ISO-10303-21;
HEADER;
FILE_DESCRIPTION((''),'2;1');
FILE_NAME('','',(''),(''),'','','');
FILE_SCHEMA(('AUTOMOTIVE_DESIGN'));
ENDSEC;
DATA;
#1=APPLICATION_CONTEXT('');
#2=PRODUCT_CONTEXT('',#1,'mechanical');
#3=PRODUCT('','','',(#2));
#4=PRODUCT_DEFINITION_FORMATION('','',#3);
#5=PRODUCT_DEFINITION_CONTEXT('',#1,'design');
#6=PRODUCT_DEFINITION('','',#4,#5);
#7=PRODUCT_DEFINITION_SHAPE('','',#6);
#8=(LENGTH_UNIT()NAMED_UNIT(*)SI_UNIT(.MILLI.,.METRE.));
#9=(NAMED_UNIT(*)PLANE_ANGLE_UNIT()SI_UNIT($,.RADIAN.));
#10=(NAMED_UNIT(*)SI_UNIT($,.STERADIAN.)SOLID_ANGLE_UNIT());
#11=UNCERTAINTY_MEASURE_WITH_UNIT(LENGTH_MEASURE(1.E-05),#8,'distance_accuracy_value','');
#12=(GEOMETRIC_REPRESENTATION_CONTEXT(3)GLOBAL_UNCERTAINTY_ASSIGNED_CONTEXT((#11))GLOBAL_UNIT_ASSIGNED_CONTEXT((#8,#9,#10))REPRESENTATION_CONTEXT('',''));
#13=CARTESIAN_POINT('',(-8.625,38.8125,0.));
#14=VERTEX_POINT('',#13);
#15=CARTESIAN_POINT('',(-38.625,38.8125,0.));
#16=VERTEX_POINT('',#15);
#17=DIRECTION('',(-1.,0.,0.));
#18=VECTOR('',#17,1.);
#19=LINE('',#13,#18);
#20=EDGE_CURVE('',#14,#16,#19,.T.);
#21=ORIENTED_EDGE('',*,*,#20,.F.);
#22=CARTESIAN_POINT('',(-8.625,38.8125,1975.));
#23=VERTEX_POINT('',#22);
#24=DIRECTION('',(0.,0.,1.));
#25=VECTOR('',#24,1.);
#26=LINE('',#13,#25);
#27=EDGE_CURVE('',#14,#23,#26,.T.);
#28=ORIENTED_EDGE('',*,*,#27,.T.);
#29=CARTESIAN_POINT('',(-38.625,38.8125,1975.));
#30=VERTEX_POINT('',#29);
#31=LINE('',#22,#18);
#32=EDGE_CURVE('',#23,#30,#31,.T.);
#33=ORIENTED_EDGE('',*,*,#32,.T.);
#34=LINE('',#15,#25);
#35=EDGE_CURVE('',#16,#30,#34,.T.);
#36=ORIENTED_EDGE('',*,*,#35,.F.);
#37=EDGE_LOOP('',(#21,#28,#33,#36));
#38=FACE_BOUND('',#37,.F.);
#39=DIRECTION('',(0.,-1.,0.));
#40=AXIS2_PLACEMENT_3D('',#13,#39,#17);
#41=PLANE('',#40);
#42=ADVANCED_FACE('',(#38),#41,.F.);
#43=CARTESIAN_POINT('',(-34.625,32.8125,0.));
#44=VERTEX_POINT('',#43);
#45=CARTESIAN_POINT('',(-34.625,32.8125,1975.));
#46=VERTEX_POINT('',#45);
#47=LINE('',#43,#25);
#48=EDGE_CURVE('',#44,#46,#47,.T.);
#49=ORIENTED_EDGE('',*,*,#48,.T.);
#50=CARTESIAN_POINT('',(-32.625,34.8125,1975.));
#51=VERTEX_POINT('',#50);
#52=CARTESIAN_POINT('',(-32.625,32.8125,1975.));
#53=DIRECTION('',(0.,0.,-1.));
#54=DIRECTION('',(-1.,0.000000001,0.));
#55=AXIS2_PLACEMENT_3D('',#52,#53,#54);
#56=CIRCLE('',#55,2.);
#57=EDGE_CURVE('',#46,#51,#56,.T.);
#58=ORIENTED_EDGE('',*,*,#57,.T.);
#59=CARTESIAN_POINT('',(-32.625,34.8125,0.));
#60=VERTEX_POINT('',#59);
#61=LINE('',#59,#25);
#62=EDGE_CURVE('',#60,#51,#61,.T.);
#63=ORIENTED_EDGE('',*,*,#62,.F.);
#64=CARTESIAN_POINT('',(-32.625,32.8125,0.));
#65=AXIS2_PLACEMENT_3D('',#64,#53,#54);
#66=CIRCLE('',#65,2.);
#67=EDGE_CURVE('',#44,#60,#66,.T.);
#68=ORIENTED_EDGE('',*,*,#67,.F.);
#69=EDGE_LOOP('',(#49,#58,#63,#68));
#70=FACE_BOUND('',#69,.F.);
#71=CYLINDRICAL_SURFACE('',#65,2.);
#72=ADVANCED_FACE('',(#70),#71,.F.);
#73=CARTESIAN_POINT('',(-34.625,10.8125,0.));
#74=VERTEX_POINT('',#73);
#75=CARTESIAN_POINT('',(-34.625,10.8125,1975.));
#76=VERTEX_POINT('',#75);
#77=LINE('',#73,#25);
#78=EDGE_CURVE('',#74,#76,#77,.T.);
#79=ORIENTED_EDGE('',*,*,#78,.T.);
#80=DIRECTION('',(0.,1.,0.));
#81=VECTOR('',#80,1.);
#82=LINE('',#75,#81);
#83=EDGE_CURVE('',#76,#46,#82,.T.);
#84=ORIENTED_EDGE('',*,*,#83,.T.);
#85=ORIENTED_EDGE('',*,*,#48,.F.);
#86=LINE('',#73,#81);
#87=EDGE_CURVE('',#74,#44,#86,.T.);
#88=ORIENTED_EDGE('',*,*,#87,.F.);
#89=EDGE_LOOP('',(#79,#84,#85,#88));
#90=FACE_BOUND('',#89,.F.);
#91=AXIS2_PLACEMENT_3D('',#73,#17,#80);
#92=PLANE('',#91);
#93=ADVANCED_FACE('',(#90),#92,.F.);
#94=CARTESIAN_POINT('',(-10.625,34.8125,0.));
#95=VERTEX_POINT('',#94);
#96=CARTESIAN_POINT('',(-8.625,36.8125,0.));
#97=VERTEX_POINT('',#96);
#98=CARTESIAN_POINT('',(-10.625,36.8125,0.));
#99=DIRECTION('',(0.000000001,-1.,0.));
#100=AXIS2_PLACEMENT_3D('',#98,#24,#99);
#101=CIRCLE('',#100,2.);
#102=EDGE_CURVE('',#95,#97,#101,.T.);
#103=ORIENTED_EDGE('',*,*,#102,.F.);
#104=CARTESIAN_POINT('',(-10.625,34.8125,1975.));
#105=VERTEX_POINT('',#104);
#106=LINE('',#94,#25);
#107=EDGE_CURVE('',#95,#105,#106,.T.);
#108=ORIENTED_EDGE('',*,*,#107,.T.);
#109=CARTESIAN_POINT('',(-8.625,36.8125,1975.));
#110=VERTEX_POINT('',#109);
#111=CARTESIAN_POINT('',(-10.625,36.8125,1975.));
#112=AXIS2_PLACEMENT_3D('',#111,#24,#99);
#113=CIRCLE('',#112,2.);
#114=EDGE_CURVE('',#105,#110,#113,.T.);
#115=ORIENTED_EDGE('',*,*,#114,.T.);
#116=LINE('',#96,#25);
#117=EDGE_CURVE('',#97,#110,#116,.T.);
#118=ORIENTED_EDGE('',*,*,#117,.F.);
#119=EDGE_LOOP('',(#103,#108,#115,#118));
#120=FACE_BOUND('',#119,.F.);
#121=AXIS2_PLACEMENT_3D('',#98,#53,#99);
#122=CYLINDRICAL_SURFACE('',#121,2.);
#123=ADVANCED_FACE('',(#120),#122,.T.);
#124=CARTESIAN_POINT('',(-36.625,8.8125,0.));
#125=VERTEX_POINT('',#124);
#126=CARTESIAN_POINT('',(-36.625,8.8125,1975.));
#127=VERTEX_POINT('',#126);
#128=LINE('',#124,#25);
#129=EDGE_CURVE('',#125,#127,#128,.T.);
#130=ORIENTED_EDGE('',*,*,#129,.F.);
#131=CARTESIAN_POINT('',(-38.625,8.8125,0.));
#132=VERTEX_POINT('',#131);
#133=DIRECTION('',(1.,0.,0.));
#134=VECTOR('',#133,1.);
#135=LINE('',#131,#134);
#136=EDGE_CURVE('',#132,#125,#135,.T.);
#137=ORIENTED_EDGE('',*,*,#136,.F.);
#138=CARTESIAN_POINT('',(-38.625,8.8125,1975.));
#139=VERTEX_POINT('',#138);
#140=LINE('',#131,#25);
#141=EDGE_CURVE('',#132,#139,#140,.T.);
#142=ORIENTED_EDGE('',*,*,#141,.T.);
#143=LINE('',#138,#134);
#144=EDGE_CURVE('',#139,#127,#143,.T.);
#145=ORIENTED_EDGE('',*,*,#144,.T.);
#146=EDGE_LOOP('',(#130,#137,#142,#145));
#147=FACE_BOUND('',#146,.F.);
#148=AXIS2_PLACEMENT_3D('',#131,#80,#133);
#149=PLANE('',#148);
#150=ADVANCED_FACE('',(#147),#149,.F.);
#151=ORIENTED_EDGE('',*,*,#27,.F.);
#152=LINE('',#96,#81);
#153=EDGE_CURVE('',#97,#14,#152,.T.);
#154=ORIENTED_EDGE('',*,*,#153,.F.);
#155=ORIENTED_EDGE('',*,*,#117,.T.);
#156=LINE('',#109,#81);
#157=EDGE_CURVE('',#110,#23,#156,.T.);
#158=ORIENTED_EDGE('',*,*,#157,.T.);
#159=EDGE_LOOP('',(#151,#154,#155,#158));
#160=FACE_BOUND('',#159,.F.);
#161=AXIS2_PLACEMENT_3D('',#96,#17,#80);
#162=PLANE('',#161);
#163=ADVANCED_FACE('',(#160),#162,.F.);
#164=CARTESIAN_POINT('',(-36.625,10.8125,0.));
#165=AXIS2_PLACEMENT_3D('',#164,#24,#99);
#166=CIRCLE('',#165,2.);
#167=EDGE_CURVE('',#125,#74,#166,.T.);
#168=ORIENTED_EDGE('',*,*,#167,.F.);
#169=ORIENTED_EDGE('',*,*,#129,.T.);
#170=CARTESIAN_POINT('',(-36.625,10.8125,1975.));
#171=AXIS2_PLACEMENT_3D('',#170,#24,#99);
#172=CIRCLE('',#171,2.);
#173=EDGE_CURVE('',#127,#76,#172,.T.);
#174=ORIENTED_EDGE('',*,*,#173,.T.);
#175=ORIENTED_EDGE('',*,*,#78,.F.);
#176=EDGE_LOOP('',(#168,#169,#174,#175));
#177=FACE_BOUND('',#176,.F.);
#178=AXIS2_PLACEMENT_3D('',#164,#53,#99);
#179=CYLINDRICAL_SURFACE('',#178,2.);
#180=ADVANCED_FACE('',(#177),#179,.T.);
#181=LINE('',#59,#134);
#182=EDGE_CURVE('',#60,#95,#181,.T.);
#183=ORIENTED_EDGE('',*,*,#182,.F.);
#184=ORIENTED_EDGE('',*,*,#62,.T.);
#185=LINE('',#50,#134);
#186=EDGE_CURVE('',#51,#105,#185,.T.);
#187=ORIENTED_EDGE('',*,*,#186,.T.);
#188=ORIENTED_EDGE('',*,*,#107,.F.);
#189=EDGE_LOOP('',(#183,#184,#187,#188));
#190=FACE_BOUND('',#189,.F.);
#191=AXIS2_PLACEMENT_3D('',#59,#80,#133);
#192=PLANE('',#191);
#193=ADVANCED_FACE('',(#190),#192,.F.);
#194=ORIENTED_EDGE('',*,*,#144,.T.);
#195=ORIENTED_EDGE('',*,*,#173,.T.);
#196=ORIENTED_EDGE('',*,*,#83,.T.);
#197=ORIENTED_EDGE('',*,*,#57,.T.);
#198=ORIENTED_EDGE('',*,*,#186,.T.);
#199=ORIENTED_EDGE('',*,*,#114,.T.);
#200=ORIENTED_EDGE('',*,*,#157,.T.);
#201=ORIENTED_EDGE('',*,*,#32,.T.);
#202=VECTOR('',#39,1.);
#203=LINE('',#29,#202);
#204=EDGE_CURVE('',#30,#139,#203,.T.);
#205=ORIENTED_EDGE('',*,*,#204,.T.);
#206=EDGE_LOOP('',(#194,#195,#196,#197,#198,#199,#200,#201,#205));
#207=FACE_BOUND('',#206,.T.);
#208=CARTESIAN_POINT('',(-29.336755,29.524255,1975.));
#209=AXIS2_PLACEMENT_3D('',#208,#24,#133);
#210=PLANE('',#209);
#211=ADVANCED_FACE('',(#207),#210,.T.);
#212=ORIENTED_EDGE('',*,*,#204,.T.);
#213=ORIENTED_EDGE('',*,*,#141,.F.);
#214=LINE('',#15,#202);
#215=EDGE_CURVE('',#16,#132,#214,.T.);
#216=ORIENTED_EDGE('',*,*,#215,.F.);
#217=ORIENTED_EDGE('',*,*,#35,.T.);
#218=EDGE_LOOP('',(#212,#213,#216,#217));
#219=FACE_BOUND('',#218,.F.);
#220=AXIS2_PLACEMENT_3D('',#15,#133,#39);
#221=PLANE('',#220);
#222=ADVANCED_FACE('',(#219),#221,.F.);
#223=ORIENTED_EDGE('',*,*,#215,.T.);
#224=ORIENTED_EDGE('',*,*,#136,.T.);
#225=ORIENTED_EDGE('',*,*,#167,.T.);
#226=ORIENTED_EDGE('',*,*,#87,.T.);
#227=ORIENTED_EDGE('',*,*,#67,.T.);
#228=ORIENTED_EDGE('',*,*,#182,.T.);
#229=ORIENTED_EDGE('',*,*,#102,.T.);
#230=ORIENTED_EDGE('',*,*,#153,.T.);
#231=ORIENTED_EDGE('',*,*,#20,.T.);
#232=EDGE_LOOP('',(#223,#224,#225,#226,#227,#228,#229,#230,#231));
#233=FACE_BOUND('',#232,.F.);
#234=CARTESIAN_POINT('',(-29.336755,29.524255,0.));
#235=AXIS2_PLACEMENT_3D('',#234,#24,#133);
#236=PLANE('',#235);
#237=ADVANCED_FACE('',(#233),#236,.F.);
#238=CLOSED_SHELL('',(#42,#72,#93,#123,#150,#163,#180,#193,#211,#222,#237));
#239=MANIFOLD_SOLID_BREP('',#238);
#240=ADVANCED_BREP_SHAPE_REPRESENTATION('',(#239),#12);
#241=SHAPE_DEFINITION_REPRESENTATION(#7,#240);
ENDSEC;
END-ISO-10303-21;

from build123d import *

# Parameters (mm, degrees)
BOSS_EXTRUDE1_DEPTH = 1975


with BuildPart() as part:
    # Sketch1 → Boss-Extrude1 (new body)
    with BuildSketch(Plane.XY):
        with BuildLine():
            Line((-8.625, 38.8125), (-38.625, 38.8125))
            Line((-38.625, 38.8125), (-38.625, 8.8125))
            Line((-38.625, 8.8125), (-36.625, 8.8125))
            ThreePointArc((-36.625, 8.8125), (-35.210786438, 9.398286438), (-34.625, 10.8125))
            Line((-34.625, 10.8125), (-34.625, 32.8125))
            ThreePointArc((-34.625, 32.8125), (-34.039213562, 34.226713562), (-32.625, 34.8125))
            Line((-32.625, 34.8125), (-10.625, 34.8125))
            ThreePointArc((-10.625, 34.8125), (-9.210786438, 35.398286438), (-8.625, 36.8125))
            Line((-8.625, 36.8125), (-8.625, 38.8125))
        make_face()
    extrude(amount=BOSS_EXTRUDE1_DEPTH)


solid = part.part
